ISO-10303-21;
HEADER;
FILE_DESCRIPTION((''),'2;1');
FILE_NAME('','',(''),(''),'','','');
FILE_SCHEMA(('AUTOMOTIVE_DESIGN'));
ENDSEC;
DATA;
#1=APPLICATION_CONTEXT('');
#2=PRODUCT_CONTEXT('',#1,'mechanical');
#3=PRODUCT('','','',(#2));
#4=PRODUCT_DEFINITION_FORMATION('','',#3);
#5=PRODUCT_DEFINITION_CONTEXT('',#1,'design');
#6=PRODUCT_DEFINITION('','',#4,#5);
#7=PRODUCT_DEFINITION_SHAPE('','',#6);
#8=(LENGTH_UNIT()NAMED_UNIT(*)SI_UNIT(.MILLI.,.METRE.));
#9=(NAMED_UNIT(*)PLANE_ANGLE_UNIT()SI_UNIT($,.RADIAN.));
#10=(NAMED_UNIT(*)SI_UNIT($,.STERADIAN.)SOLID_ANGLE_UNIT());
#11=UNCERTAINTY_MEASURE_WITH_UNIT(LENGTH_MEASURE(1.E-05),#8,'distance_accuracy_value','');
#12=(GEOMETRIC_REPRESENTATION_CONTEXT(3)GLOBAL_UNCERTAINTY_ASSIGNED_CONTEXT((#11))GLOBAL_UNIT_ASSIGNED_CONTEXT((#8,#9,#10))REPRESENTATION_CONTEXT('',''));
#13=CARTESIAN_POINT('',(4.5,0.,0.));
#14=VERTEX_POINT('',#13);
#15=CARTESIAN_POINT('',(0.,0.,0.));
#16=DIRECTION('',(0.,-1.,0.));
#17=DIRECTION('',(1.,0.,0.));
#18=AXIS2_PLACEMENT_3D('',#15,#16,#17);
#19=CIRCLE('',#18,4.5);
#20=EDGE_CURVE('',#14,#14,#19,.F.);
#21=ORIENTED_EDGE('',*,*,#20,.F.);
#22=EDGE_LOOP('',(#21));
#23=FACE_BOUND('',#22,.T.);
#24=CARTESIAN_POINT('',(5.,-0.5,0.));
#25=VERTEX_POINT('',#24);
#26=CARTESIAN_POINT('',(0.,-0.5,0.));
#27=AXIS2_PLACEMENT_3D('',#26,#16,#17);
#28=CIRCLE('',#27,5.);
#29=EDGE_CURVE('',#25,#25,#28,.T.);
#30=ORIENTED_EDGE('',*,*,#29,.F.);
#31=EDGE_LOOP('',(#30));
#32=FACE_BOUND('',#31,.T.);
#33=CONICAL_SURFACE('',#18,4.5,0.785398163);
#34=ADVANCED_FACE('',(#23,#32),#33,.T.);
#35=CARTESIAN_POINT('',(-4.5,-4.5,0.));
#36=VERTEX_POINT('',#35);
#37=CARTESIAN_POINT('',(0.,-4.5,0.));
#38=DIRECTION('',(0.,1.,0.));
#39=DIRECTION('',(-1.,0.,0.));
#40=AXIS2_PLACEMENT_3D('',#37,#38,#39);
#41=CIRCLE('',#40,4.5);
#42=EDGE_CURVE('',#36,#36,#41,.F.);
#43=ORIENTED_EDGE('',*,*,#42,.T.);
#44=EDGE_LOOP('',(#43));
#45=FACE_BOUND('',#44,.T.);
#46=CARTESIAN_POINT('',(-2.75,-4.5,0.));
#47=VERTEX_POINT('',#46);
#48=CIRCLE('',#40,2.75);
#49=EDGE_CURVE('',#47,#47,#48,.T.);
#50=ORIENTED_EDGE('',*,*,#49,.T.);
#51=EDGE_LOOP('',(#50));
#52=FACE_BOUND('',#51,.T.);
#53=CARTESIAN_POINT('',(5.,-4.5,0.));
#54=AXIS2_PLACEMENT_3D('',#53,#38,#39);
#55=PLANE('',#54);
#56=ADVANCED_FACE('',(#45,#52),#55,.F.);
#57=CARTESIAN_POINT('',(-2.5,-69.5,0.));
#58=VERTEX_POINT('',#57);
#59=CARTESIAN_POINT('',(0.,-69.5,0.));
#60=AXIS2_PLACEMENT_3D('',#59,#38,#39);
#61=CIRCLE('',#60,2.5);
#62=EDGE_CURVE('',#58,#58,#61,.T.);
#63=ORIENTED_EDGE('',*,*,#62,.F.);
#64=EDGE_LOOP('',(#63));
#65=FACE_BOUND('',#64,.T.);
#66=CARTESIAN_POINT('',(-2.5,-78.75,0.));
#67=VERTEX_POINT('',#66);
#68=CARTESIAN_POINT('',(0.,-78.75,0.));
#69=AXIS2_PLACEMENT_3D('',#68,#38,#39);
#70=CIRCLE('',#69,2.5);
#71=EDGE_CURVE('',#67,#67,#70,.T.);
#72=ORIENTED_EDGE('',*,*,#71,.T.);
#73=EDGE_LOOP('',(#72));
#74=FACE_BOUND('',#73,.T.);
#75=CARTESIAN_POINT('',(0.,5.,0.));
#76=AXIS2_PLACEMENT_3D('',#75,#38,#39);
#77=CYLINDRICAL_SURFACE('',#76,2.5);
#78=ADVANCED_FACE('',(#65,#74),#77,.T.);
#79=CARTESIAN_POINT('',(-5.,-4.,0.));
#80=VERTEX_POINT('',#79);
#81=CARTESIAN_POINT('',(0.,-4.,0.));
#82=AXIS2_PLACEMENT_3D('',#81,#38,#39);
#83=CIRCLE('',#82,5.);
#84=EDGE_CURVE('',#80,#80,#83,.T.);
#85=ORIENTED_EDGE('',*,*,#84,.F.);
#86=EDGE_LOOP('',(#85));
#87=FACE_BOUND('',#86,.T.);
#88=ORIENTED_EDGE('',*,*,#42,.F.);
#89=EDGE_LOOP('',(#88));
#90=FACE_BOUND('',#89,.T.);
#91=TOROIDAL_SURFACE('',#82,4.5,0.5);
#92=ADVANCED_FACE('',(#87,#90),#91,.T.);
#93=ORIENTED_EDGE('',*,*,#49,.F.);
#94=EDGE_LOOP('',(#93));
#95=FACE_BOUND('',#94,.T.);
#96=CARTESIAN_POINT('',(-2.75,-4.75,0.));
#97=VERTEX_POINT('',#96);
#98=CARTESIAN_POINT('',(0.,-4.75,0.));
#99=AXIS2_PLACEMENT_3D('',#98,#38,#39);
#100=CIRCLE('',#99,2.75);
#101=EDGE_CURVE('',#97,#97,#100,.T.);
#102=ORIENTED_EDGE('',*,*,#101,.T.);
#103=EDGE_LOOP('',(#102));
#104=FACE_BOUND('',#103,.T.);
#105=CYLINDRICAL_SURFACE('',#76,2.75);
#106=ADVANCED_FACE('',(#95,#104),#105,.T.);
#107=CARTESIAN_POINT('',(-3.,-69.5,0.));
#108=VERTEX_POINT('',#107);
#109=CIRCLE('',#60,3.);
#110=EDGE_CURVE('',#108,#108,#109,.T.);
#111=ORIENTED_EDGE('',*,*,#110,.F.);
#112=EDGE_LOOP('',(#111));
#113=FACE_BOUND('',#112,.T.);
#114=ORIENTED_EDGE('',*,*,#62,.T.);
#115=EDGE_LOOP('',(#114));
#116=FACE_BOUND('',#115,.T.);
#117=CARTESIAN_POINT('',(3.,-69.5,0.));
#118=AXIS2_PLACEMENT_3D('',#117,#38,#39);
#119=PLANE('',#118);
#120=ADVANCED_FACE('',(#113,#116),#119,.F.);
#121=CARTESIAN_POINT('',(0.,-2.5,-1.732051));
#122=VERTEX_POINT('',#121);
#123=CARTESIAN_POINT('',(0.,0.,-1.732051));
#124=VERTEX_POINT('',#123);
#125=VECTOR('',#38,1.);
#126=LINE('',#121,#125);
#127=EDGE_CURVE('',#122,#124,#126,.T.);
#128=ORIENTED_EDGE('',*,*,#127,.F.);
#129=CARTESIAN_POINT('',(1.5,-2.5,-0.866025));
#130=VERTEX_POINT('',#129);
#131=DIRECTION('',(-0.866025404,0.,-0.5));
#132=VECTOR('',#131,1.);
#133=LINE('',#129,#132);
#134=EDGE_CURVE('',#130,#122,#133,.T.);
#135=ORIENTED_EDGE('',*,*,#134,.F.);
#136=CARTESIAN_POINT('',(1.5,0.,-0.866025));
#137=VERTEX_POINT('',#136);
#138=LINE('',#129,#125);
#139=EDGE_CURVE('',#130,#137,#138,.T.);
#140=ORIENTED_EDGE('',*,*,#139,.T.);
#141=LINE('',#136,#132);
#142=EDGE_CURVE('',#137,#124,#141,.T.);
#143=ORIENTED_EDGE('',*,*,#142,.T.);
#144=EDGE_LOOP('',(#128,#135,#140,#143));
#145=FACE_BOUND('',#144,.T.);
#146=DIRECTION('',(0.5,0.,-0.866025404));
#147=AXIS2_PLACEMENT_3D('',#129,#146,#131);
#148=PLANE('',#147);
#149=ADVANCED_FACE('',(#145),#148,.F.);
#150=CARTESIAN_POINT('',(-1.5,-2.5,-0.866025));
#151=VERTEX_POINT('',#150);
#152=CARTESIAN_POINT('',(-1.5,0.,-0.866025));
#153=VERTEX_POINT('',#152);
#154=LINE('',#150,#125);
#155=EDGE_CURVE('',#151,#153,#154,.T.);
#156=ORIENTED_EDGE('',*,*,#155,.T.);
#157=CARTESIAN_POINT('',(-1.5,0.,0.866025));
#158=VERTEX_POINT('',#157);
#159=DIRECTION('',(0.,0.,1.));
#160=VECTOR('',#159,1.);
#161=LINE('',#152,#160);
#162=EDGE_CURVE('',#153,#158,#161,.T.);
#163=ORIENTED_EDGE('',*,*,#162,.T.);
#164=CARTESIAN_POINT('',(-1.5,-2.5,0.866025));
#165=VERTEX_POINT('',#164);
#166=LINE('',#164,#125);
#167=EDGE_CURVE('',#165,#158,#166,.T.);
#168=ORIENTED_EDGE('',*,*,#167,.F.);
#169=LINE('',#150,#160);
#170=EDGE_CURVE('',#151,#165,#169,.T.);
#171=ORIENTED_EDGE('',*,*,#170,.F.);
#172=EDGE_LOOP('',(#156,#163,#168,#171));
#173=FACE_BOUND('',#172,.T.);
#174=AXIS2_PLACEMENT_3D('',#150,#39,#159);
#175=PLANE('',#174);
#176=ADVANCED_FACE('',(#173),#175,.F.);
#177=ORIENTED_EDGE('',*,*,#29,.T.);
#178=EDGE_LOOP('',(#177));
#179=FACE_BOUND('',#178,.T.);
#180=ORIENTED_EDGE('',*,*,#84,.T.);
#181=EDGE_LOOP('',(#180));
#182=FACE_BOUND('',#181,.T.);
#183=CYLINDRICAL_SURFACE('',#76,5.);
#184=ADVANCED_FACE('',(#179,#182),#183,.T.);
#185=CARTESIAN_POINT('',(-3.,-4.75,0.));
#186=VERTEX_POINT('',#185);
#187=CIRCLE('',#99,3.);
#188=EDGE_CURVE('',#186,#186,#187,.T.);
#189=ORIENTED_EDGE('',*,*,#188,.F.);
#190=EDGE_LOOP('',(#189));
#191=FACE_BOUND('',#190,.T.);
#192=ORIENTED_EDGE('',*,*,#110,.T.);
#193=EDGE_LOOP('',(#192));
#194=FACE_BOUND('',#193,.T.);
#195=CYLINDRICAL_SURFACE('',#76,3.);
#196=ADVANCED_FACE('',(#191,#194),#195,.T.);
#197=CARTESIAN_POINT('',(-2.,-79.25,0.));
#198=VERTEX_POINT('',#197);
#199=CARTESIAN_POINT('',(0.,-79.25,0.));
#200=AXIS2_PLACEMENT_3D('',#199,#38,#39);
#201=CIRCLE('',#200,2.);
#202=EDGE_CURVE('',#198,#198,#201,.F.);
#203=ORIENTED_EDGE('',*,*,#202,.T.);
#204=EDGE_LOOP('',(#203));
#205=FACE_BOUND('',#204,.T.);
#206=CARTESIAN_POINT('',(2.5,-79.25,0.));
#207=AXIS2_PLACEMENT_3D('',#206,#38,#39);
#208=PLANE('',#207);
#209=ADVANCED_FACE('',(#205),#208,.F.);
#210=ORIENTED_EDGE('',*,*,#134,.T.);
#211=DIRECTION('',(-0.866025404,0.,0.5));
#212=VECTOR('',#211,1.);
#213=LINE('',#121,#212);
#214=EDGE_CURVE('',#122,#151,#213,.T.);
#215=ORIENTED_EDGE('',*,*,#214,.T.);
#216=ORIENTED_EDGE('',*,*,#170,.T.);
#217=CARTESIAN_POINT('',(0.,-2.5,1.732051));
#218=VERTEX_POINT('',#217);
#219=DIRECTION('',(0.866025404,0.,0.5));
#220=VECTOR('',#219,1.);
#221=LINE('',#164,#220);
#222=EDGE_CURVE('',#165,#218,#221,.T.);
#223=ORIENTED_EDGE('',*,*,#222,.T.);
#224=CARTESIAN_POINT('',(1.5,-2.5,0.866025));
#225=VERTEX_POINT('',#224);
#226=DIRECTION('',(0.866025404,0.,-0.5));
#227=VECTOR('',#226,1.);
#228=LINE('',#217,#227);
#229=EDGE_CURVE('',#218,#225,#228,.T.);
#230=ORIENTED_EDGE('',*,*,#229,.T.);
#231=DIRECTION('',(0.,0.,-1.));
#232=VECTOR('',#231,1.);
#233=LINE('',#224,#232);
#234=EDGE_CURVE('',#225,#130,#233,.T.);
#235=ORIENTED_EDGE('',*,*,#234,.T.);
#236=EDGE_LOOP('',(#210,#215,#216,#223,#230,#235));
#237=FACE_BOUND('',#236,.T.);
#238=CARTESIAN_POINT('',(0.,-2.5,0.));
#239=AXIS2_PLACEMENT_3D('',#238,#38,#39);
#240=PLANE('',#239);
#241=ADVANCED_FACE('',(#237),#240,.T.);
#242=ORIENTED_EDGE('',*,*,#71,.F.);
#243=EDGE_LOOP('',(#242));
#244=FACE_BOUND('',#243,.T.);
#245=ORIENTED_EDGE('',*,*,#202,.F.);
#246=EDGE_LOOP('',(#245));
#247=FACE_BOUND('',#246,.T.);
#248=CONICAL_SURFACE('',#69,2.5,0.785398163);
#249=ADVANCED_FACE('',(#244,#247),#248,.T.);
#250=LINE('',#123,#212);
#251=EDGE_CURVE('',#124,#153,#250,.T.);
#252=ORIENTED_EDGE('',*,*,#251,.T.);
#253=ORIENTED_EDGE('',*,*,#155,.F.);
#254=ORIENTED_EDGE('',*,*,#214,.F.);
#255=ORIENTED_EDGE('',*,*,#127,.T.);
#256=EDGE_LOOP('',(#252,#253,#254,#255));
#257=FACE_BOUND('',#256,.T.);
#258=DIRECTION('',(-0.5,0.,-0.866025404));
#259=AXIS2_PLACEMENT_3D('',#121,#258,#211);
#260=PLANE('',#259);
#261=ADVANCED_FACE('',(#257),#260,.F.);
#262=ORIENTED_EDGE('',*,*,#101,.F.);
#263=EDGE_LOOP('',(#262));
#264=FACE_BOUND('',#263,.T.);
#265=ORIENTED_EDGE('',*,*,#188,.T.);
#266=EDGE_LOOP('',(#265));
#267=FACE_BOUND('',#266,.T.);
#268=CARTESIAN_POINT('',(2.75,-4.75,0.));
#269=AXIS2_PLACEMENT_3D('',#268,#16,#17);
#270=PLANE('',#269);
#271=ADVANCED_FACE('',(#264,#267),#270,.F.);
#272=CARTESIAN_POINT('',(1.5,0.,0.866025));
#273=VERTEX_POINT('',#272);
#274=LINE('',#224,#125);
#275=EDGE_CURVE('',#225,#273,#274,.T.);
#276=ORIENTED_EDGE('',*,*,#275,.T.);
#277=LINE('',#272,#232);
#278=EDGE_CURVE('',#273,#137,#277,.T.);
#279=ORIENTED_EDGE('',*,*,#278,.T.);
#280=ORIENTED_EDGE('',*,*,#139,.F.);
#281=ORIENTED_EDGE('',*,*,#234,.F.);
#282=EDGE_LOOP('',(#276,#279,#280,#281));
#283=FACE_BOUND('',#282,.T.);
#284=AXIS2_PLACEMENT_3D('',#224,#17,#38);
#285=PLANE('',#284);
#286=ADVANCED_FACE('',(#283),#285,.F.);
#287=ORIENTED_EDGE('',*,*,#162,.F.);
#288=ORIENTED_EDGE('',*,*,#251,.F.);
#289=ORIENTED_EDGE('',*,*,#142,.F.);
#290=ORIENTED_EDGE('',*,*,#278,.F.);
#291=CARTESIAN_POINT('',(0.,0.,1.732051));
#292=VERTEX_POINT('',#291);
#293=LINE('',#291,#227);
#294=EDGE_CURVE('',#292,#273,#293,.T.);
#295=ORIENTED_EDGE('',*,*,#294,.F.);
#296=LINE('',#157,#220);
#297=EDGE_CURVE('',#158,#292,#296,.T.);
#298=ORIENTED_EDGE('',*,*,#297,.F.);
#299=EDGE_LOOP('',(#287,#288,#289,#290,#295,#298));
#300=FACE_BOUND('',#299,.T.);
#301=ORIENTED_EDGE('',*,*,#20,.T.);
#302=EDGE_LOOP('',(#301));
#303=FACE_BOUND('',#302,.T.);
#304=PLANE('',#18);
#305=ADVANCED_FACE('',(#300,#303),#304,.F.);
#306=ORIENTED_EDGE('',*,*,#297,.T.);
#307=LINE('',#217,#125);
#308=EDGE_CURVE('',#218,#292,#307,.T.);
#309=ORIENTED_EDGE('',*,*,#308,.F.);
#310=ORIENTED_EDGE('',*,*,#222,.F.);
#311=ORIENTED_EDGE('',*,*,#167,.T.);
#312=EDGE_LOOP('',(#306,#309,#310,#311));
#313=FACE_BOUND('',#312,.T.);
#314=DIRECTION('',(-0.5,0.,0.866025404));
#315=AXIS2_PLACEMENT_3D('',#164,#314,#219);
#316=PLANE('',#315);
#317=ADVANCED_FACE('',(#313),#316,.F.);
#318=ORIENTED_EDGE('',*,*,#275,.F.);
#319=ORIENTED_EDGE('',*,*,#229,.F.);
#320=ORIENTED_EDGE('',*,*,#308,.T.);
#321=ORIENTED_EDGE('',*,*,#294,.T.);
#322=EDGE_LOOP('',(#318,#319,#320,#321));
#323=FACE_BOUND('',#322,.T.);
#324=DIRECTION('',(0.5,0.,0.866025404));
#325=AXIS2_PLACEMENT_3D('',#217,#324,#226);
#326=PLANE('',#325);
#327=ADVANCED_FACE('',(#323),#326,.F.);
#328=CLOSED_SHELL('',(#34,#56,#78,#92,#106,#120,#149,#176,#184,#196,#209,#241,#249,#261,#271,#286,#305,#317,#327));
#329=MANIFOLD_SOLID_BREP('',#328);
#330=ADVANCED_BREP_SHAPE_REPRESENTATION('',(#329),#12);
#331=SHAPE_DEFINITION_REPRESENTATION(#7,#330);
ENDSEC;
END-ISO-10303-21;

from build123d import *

# Parameters (mm, degrees)
CUT_EXTRUDE1_DEPTH = 2.5
CHAMFER1_SIZE      = 0.5
FILLET1_R          = 0.5
CHAMFER2_SIZE      = 0.5


with BuildPart() as part:
    # Sketch1 → Revolve1 (revolve)
    with BuildSketch(Plane.XY, mode=Mode.PRIVATE) as revolve1_sk:
        Polygon((0, 0), (5, 0), (5, -4.5), (2.75, -4.5), (2.75, -4.75), (3, -4.75), (3, -69.5), (2.5, -69.5), (2.5, -79.25), (0, -79.25), align=None)
    revolve(revolve1_sk.sketch.rotate(Axis((0, 5, 0), (0, -1, 0)), 180), axis=Axis((0, 5, 0), (0, -1, 0)))

    # Sketch2 → Cut-Extrude1 (cut)
    with BuildSketch(Plane(origin=(0, 0, 0), x_dir=(1, 0, 0), z_dir=(0, 1, 0))):
        Polygon((0, -1.732050808), (1.5, -0.866025404), (1.5, 0.866025404), (0, 1.732050808), (-1.5, 0.866025404), (-1.5, -0.866025404), align=None)
    extrude(amount=-CUT_EXTRUDE1_DEPTH, mode=Mode.SUBTRACT)

    # Chamfer1
    chamfer1_edges = [part.edges().sort_by_distance(p)[0] for p in [
        (5, 0, 0),
    ]]
    chamfer(chamfer1_edges, length=CHAMFER1_SIZE)

    # Fillet1
    fillet1_edges = [part.edges().sort_by_distance(p)[0] for p in [
        (5, -4.5, 0),
    ]]
    fillet(fillet1_edges, radius=FILLET1_R)

    # Chamfer2
    chamfer2_edges = [part.edges().sort_by_distance(p)[0] for p in [
        (2.5, -79.25, 0),
    ]]
    chamfer(chamfer2_edges, length=CHAMFER2_SIZE)


solid = part.part
